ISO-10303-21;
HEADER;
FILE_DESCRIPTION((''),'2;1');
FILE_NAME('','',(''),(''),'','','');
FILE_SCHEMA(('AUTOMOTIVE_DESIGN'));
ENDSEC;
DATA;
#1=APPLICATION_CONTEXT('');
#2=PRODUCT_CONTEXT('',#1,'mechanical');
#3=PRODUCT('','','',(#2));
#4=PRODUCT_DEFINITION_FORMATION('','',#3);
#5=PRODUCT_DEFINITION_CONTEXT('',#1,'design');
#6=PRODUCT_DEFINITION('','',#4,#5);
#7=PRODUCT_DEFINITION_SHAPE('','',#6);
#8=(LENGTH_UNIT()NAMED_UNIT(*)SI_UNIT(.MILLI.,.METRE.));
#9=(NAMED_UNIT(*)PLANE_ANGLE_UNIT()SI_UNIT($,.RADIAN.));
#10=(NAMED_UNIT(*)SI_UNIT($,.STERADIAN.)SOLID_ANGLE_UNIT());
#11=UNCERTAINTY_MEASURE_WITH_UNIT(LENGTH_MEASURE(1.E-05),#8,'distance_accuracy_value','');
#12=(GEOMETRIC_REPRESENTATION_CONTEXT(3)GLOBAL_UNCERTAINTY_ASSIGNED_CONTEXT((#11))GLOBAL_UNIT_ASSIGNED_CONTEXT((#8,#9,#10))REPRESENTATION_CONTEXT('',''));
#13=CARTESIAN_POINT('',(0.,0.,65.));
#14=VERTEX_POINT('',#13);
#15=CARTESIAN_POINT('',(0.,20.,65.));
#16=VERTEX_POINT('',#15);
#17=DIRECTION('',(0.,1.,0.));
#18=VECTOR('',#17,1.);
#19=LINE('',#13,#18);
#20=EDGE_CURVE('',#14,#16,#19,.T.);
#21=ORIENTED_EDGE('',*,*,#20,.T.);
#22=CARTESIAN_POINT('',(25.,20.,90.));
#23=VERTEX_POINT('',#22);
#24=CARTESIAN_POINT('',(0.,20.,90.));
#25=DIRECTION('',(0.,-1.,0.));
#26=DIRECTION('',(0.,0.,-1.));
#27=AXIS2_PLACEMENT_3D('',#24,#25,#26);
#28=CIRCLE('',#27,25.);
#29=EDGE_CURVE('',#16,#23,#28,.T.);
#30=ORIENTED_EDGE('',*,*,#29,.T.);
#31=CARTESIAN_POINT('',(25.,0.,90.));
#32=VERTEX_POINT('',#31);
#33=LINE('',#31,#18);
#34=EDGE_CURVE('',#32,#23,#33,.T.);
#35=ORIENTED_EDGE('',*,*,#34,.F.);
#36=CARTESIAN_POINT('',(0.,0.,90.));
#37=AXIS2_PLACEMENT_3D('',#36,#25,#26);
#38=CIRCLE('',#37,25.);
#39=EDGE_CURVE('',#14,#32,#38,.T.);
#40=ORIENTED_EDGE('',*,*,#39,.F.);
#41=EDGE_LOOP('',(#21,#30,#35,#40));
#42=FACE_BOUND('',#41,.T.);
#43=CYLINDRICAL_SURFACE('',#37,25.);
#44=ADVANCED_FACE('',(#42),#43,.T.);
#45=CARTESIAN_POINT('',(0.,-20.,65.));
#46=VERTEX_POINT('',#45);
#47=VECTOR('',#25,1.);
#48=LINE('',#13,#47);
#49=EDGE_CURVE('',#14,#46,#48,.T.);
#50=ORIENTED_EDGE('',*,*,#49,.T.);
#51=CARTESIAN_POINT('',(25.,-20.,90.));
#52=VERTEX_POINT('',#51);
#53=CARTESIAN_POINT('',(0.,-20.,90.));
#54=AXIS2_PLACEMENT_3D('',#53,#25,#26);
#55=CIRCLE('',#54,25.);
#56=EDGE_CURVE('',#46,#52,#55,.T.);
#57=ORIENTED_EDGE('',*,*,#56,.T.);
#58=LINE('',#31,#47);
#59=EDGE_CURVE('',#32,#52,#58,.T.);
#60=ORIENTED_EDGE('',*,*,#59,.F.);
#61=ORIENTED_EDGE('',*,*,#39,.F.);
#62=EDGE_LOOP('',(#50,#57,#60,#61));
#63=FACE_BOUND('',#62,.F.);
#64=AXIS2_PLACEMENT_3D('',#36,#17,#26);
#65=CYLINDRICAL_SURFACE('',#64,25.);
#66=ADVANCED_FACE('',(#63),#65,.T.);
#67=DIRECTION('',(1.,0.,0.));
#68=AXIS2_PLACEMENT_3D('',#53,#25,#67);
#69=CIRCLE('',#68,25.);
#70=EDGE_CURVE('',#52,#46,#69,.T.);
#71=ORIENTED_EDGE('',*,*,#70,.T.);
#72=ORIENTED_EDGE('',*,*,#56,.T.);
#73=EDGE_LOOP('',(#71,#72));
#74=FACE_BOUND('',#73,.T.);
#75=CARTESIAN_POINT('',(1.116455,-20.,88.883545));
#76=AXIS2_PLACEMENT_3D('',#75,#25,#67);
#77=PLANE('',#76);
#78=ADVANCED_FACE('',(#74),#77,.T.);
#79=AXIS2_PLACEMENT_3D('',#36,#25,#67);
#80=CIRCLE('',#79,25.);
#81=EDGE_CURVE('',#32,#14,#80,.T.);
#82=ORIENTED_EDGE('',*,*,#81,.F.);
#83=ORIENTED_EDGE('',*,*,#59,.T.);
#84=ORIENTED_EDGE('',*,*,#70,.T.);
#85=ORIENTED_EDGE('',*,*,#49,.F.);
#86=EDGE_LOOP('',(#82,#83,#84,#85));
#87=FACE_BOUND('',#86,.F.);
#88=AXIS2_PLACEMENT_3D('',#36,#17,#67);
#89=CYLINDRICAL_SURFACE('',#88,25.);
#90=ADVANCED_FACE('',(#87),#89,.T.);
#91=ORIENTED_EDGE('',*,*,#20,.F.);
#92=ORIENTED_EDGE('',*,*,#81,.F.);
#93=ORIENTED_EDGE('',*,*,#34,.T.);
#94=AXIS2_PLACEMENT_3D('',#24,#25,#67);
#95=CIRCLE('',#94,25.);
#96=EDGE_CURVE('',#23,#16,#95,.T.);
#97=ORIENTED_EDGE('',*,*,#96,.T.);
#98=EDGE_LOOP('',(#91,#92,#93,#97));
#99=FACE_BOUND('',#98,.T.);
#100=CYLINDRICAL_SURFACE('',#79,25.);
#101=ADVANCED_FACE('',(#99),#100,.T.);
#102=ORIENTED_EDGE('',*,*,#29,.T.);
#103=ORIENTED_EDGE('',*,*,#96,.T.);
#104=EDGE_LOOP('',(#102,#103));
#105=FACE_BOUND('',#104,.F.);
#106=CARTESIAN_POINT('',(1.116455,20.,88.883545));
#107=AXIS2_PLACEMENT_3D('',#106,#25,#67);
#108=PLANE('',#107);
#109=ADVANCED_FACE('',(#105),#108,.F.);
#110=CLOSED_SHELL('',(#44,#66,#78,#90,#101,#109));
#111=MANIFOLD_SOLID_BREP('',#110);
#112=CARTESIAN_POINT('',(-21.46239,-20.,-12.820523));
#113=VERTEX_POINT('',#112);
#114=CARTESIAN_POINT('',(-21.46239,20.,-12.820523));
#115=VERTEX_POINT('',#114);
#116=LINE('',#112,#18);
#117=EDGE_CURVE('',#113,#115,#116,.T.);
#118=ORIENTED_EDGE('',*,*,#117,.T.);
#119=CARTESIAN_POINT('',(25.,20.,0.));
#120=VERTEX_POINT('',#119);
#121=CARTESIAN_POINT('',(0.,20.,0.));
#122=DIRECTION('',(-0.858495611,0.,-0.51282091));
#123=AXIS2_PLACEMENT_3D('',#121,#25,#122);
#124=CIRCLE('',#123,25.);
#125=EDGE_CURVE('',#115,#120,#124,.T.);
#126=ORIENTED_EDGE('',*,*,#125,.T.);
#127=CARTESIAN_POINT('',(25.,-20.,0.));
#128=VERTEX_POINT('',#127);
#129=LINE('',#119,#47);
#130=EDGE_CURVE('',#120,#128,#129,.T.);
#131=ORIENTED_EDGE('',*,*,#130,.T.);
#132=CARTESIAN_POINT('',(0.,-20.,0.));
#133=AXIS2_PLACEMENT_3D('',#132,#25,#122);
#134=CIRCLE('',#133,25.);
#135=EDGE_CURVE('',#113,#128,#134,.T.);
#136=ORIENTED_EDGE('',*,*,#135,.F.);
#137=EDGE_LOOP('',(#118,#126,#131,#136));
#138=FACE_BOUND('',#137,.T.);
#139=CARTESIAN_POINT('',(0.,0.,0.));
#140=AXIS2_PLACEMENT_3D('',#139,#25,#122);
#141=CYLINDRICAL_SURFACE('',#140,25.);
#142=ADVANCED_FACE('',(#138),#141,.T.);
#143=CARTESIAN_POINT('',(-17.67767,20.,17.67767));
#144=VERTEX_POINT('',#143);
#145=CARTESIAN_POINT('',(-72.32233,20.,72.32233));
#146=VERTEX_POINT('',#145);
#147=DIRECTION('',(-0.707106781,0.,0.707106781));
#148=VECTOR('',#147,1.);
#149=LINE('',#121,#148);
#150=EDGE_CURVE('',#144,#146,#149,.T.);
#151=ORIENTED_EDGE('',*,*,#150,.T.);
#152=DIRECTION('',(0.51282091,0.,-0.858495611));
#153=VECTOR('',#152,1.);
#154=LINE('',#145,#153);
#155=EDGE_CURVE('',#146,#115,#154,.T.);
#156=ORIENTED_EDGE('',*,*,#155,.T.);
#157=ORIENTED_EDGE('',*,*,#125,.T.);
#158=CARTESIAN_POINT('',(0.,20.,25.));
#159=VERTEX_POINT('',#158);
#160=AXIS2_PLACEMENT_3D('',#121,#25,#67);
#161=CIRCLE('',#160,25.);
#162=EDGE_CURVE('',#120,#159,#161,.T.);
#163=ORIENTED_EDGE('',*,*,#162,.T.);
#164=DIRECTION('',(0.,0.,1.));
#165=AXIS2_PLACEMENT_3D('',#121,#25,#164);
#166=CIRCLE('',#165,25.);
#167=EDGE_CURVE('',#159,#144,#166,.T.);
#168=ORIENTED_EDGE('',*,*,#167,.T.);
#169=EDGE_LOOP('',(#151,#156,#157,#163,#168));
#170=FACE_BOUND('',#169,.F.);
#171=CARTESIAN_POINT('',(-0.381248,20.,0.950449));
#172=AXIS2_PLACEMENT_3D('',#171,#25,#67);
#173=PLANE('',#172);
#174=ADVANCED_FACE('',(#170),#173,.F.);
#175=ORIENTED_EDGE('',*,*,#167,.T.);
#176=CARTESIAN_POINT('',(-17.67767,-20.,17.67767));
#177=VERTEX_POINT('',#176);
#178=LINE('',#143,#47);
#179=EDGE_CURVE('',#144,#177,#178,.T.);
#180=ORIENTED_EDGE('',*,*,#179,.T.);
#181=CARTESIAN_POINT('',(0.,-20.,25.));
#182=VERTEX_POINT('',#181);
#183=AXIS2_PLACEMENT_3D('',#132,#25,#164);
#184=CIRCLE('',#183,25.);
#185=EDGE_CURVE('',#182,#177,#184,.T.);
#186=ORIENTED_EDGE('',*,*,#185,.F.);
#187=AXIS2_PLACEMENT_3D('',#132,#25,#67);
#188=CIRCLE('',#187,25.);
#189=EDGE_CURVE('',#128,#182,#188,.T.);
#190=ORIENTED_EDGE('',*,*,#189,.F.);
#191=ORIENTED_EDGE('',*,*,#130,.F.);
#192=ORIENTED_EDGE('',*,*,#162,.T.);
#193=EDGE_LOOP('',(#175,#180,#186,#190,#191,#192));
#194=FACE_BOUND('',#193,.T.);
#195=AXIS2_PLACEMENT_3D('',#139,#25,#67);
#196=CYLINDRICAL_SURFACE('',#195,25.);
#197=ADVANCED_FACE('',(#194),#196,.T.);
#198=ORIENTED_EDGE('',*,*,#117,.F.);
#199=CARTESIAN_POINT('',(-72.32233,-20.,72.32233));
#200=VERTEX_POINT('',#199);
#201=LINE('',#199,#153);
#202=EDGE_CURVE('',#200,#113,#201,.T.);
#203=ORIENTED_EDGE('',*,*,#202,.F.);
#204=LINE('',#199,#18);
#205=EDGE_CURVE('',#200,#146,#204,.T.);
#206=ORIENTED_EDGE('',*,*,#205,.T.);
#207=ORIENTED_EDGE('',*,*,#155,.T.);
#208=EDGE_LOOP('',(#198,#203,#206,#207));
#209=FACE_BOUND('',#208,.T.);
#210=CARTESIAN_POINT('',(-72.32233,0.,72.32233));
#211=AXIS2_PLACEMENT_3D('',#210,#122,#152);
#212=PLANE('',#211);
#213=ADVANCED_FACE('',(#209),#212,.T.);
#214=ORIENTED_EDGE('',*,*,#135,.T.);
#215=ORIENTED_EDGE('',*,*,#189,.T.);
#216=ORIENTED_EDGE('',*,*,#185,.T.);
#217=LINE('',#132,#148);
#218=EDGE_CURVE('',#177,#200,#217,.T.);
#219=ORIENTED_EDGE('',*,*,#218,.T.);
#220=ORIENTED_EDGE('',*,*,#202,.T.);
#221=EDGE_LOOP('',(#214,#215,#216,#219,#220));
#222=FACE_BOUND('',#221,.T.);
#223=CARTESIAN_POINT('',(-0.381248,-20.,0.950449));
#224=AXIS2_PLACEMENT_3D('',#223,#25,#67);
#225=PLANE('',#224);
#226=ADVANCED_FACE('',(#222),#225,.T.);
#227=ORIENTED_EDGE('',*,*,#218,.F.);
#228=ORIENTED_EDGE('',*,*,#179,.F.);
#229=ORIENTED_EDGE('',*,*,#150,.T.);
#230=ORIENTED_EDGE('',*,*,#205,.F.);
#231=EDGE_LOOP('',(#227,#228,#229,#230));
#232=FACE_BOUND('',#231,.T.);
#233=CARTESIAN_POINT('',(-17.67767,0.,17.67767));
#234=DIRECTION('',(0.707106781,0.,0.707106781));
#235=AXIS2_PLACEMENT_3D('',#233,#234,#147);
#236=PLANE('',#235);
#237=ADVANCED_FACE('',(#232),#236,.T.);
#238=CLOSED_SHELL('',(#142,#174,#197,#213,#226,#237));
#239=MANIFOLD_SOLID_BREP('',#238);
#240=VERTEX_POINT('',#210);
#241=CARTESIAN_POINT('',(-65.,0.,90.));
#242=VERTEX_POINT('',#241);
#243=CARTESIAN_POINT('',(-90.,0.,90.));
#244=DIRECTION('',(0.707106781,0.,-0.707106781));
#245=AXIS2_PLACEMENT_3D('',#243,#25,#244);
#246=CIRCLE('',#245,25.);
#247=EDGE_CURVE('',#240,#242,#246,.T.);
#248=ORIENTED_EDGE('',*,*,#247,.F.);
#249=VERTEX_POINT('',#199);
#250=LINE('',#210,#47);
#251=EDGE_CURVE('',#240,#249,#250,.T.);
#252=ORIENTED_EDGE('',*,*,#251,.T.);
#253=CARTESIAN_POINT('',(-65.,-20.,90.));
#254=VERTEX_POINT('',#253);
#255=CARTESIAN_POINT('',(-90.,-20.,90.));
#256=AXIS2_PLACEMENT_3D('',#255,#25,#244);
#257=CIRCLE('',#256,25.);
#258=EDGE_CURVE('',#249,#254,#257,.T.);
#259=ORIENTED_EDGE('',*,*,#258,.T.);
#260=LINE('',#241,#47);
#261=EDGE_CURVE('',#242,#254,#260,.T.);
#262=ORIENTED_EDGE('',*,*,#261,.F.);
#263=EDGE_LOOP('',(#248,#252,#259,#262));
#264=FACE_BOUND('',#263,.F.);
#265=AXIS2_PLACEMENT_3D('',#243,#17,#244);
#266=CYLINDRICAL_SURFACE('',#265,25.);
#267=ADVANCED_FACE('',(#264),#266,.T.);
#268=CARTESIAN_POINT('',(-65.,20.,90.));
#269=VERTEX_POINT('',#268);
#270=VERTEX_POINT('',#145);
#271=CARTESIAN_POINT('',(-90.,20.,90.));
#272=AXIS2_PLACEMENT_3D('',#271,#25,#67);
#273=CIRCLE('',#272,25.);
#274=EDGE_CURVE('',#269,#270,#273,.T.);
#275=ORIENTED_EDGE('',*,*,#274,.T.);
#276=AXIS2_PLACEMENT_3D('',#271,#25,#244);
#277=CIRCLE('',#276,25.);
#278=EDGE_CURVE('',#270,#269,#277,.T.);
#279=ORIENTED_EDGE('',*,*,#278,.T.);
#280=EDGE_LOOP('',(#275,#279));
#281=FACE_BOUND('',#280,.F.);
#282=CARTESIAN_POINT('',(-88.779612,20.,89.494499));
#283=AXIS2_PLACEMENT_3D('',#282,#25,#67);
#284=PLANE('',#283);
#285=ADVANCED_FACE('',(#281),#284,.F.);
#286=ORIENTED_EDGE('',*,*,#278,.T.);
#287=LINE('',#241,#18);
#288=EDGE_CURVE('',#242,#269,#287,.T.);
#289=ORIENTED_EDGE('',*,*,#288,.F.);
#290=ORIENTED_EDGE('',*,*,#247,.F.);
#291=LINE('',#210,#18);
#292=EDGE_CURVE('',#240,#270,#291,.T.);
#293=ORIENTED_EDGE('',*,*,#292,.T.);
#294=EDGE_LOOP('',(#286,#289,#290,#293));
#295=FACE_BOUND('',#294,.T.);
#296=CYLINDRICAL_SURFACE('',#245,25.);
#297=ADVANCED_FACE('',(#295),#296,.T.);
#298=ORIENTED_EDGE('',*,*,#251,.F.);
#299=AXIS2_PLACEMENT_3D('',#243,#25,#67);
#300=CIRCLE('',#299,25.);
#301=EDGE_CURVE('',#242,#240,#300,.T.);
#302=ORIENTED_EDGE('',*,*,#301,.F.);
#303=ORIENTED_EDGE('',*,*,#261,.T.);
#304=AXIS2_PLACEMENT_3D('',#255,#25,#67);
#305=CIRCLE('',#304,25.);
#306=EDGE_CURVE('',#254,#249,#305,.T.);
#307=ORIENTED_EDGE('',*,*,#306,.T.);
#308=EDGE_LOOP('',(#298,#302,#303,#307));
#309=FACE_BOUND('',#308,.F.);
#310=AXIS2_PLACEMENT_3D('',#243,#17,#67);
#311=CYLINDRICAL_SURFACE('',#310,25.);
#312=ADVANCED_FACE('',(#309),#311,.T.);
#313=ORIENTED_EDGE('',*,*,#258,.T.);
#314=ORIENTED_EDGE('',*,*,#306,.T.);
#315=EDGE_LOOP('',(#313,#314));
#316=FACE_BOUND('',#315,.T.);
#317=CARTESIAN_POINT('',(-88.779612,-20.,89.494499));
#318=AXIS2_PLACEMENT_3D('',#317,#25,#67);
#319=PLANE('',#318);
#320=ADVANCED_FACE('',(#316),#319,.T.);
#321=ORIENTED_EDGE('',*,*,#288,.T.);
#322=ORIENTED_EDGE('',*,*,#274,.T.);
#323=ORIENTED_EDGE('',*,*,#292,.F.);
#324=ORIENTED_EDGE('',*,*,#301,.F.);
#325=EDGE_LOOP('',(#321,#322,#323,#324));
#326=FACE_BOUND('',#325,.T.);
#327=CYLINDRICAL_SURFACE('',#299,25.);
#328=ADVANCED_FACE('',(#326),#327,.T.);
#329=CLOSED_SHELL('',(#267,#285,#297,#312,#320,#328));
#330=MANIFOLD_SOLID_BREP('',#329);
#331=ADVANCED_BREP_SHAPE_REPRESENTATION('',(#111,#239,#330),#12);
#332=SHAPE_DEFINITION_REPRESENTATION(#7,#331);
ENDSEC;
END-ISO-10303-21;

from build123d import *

# Parameters (mm, degrees)
F1_DEPTH = 20


with BuildPart() as f1:
    # F0 (on Front) → F1 (new body, symmetric)
    with BuildSketch(Plane.XZ):
        with BuildLine():
            ThreePointArc((-17.6776695297, 17.6776695297), (-24.8096957555, 3.0787979016), (-21.4623902815, -12.820522743))
            ThreePointArc((-21.4623902815, -12.820522743), (6.6498211616, -24.0993750649), (25, 0))
            ThreePointArc((25, 0), (17.6776695297, 17.6776695297), (0, 25))
            Line((0, 25), (0, 0))
            Line((0, 0), (-17.6776695297, 17.6776695297))
        make_face()
        with BuildLine():
            Line((-72.3223304703, 72.3223304703), (-21.4623902815, -12.820522743))
            ThreePointArc((-21.4623902815, -12.820522743), (-24.8096957555, 3.0787979016), (-17.6776695297, 17.6776695297))
            Line((-17.6776695297, 17.6776695297), (-72.3223304703, 72.3223304703))
        make_face()
        with BuildLine():
            ThreePointArc((0, 25), (-9.5670858091, 23.0969883128), (-17.6776695297, 17.6776695297))
            Line((-17.6776695297, 17.6776695297), (0, 0))
            Line((0, 0), (0, 25))
        make_face()
    extrude(amount=F1_DEPTH, both=True)


with BuildPart() as f1b:
    # F0 (on Front) → F1, piece 2 (new body, symmetric)
    with BuildSketch(Plane.XZ):
        with BuildLine():
            ThreePointArc((-65, 90), (-113.0969883128, 99.5670858091), (-72.3223304703, 72.3223304703))
            ThreePointArc((-72.3223304703, 72.3223304703), (-66.9030116872, 80.4329141909), (-65, 90))
        make_face()
    extrude(amount=F1_DEPTH, both=True)


with BuildPart() as f1c:
    # F0 (on Front) → F1, piece 3 (new body, symmetric)
    with BuildSketch(Plane.XZ):
        with BuildLine():
            ThreePointArc((25, 90), (-17.6776695297, 107.6776695297), (0, 65))
            ThreePointArc((0, 65), (17.6776695297, 72.3223304703), (25, 90))
        make_face()
    extrude(amount=F1_DEPTH, both=True)


solid = Compound([f1.part, f1b.part, f1c.part])
